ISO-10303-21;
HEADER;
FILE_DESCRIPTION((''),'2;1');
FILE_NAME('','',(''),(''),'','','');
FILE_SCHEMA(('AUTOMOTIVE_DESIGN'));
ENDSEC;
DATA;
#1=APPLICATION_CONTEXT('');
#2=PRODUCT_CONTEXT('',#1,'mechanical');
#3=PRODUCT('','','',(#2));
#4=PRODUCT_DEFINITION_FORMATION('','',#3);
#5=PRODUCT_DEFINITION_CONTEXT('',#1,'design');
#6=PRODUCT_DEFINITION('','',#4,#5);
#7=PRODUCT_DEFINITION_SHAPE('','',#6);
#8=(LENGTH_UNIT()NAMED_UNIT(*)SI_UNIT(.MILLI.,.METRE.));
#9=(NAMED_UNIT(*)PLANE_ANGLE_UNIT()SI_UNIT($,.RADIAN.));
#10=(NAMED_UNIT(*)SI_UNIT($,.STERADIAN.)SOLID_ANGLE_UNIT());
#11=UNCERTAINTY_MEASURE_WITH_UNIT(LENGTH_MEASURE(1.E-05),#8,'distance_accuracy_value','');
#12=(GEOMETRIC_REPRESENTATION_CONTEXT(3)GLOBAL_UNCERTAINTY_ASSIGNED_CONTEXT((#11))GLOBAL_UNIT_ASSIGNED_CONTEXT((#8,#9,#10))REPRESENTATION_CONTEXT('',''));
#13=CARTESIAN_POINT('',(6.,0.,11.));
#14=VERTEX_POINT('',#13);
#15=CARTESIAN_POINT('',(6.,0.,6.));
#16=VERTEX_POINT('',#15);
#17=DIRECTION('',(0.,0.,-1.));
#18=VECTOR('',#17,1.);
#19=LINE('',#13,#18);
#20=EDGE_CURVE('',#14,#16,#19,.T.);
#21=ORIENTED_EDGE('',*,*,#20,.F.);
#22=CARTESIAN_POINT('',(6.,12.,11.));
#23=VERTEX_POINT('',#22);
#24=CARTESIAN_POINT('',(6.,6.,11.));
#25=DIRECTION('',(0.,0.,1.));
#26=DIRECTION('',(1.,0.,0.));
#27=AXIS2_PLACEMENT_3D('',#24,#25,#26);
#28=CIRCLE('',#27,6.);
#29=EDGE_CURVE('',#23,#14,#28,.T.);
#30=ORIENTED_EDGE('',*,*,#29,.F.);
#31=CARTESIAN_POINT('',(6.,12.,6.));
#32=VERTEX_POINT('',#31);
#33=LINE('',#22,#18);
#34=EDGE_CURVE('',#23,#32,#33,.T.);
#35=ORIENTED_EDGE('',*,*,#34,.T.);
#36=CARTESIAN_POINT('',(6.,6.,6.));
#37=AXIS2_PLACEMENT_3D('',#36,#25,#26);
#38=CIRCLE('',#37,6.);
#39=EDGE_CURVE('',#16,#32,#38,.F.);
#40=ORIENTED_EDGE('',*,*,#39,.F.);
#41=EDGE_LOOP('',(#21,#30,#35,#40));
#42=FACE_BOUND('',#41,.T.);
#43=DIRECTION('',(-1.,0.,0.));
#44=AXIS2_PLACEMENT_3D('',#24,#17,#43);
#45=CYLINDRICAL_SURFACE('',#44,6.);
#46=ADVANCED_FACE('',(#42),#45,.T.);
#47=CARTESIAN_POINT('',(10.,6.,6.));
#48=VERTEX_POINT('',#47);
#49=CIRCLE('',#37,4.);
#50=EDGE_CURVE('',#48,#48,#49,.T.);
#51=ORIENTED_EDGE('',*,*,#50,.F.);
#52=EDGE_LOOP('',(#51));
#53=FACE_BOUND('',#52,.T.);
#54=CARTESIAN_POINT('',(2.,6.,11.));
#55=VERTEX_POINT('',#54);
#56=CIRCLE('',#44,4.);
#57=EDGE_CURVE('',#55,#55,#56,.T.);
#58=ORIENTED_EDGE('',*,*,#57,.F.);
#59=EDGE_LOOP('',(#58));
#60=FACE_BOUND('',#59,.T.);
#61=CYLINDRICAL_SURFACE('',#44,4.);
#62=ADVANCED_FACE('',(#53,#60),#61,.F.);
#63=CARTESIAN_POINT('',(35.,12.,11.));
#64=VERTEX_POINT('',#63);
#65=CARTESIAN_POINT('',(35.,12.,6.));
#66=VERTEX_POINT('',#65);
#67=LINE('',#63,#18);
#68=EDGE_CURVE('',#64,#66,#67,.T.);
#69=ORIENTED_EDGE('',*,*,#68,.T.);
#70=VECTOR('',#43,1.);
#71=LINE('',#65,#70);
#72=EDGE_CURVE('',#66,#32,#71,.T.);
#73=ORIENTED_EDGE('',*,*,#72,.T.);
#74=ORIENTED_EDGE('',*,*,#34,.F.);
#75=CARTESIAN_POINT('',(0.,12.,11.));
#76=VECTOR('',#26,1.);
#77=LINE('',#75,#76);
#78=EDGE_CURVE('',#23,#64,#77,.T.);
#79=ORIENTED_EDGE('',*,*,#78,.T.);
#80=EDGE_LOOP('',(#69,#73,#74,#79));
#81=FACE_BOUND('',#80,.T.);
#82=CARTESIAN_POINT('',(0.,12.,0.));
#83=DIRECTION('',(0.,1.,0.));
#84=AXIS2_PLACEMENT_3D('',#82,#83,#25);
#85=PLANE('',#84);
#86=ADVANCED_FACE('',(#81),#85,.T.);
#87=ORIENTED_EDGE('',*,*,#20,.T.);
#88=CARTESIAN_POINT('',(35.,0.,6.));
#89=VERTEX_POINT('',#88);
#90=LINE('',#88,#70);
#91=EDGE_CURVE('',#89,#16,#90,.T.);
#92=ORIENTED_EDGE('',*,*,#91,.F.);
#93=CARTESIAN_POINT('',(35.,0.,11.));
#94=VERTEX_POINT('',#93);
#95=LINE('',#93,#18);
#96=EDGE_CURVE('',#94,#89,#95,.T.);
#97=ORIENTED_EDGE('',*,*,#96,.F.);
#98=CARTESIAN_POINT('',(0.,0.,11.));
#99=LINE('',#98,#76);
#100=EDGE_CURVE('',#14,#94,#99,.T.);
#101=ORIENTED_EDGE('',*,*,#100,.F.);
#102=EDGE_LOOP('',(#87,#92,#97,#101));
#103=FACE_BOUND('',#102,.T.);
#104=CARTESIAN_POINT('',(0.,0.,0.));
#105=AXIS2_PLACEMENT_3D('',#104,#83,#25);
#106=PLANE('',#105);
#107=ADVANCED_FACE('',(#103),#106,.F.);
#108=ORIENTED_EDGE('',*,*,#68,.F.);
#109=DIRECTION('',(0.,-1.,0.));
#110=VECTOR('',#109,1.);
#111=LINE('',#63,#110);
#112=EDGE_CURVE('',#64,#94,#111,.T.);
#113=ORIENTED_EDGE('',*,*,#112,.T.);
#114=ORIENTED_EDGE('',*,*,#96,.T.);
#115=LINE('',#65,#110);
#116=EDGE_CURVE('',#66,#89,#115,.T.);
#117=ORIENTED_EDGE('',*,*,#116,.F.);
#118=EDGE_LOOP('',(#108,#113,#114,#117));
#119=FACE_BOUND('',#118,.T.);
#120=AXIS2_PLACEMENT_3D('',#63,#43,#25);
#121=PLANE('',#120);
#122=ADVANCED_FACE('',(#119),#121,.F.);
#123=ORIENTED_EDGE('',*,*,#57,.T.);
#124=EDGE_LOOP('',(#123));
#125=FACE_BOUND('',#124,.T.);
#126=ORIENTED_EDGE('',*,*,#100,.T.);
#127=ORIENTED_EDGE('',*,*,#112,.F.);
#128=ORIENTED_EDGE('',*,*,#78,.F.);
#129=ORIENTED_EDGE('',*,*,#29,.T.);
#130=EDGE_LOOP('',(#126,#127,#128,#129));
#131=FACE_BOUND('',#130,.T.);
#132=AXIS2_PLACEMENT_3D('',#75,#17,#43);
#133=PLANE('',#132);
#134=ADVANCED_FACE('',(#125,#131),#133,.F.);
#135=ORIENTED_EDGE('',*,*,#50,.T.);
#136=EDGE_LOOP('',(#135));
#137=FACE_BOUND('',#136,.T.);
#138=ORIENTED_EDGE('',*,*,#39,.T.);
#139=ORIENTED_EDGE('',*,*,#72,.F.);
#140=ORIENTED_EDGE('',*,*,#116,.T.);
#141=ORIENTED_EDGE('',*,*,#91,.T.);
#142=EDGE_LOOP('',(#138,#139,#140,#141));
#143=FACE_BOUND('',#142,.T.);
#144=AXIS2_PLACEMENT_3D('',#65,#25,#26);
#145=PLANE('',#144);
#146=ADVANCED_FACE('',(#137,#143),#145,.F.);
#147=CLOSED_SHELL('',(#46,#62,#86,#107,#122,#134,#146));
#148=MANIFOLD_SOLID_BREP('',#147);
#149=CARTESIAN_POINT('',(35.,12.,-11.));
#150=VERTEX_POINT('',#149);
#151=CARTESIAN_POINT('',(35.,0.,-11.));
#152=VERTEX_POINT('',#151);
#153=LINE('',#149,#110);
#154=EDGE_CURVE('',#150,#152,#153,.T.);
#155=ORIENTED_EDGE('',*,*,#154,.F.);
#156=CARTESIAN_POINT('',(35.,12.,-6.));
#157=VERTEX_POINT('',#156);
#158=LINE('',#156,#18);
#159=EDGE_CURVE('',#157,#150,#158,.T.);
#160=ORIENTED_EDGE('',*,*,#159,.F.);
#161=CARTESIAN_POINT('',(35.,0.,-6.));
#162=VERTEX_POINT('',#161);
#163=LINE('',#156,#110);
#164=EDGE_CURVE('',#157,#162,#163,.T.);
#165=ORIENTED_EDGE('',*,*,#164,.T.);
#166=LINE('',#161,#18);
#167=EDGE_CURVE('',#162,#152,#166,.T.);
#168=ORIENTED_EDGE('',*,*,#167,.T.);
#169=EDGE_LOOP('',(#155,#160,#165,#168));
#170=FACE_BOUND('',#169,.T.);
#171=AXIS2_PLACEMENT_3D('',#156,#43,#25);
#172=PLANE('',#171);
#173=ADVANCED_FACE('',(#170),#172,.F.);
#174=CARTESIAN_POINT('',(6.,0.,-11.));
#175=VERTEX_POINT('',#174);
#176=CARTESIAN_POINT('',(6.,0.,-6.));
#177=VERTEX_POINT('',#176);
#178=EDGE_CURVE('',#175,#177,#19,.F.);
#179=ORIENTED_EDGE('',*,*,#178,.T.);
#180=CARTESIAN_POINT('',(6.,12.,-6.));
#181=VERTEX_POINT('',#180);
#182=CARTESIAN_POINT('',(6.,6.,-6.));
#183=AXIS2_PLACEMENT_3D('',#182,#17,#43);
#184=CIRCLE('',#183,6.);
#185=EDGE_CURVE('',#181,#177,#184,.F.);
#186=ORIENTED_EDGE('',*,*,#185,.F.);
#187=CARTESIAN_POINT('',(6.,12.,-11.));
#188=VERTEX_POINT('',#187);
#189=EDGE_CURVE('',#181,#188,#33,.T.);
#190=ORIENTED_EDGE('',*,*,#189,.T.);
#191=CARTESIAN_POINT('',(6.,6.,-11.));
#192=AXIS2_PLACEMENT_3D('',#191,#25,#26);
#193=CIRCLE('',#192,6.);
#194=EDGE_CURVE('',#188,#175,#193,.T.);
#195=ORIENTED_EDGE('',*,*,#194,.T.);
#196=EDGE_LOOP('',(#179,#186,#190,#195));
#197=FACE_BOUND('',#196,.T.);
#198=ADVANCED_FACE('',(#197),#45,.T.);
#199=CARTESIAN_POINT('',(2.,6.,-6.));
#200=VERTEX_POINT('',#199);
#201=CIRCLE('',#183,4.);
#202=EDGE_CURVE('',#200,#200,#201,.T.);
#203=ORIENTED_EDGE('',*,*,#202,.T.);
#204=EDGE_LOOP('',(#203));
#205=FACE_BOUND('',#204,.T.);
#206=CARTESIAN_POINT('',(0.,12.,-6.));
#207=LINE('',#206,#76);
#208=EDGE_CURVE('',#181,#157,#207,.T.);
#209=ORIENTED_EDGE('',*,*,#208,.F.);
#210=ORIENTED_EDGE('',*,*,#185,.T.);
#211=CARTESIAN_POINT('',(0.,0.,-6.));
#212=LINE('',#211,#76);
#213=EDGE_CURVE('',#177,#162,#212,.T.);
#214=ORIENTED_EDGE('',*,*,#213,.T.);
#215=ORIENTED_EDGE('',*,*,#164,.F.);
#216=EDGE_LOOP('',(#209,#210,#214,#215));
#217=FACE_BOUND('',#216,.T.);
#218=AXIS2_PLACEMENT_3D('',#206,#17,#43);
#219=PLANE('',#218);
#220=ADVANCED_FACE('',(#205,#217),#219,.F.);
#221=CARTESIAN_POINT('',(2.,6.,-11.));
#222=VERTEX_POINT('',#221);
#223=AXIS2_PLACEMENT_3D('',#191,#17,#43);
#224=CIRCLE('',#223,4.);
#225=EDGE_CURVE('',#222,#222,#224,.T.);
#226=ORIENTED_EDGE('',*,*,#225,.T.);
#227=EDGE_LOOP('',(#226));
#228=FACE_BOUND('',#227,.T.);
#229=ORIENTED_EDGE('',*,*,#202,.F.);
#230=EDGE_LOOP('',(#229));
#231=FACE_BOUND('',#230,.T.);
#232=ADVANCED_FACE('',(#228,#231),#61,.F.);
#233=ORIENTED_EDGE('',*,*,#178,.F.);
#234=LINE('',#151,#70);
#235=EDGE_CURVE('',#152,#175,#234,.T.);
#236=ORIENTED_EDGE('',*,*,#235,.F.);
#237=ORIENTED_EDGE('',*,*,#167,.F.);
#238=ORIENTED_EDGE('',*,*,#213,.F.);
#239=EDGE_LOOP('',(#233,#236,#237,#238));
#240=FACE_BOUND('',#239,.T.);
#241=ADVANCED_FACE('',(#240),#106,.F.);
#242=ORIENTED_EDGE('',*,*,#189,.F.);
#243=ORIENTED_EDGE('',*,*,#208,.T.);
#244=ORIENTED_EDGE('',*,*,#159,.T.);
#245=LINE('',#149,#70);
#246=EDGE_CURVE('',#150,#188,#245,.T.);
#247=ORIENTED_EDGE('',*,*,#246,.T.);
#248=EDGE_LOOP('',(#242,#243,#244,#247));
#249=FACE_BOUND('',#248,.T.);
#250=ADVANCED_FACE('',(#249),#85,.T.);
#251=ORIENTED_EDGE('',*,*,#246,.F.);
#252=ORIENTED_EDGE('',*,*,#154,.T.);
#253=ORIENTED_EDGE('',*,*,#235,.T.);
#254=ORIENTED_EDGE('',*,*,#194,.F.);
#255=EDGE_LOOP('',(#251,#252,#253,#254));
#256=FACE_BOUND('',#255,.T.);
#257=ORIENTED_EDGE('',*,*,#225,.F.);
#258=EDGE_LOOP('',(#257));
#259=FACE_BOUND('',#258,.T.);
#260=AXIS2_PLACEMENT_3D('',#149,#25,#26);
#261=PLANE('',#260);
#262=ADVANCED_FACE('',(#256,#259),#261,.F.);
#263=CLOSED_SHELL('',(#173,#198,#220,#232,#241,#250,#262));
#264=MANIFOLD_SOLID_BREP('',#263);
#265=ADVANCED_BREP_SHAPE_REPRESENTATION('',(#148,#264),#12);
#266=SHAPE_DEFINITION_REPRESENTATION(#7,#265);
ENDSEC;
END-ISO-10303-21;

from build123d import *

# Parameters (mm, degrees)
SKETCH7_W             = 35
SKETCH7_H             = 5
BOSS_EXTRUDE3_DEPTH   = 12
BOSS_EXTRUDE3_2_DEPTH = 12
CUT_EXTRUDE9_DEPTH    = 22
SKETCH9_R             = 4
CUT_EXTRUDE10_DEPTH   = 22


with BuildPart() as part:
    # Sketch7 → Boss-Extrude3 (new body)
    with BuildSketch(Plane(origin=(0, 0, 0), x_dir=(1, 0, 0), z_dir=(0, 1, 0))):
        with Locations((17.5, 8.5)):
            Rectangle(SKETCH7_W, SKETCH7_H)
    extrude(amount=BOSS_EXTRUDE3_DEPTH)


with BuildPart() as body_2:
    # Sketch7 → Boss-Extrude3 2 (new body)
    with BuildSketch(Plane(origin=(0, 0, 0), x_dir=(1, 0, 0), z_dir=(0, 1, 0))):
        with Locations((17.5, -8.5)):
            Rectangle(SKETCH7_W, SKETCH7_H)
    extrude(amount=BOSS_EXTRUDE3_2_DEPTH)


with BuildPart() as cut_extrude9_tool:
    # Sketch8 → Cut-Extrude9 (new body)
    with BuildSketch(Plane(origin=(0, 0, -11), x_dir=(-1, 0, 0), z_dir=(0, 0, -1))):
        with BuildLine():
            Line((-6, 12), (6.269101311, 12))
            Line((6.269101311, 12), (6.269101311, 0))
            Line((6.269101311, 0), (-6, 0))
            ThreePointArc((-6, 0), (0, 6), (-6, 12))
        make_face()
    extrude(amount=-CUT_EXTRUDE9_DEPTH)


with BuildPart() as part_1:
    add(part.part)

    # Cut-Extrude9: cut by cut_extrude9_tool
    add(cut_extrude9_tool.part, mode=Mode.SUBTRACT)


with BuildPart() as body_2_1:
    add(body_2.part)

    # Cut-Extrude9: cut by cut_extrude9_tool
    add(cut_extrude9_tool.part, mode=Mode.SUBTRACT)


with BuildPart() as cut_extrude10_tool:
    # Sketch9 → Cut-Extrude10 (new body)
    with BuildSketch(Plane(origin=(0, 0, -11), x_dir=(-1, 0, 0), z_dir=(0, 0, -1))):
        with Locations((-6, 6)):
            Circle(SKETCH9_R)
    extrude(amount=-CUT_EXTRUDE10_DEPTH)


with BuildPart() as part_2:
    add(part_1.part)

    # Cut-Extrude10: cut by cut_extrude10_tool
    add(cut_extrude10_tool.part, mode=Mode.SUBTRACT)


with BuildPart() as body_2_2:
    add(body_2_1.part)

    # Cut-Extrude10: cut by cut_extrude10_tool
    add(cut_extrude10_tool.part, mode=Mode.SUBTRACT)


solid = Compound([part_2.part, body_2_2.part])
